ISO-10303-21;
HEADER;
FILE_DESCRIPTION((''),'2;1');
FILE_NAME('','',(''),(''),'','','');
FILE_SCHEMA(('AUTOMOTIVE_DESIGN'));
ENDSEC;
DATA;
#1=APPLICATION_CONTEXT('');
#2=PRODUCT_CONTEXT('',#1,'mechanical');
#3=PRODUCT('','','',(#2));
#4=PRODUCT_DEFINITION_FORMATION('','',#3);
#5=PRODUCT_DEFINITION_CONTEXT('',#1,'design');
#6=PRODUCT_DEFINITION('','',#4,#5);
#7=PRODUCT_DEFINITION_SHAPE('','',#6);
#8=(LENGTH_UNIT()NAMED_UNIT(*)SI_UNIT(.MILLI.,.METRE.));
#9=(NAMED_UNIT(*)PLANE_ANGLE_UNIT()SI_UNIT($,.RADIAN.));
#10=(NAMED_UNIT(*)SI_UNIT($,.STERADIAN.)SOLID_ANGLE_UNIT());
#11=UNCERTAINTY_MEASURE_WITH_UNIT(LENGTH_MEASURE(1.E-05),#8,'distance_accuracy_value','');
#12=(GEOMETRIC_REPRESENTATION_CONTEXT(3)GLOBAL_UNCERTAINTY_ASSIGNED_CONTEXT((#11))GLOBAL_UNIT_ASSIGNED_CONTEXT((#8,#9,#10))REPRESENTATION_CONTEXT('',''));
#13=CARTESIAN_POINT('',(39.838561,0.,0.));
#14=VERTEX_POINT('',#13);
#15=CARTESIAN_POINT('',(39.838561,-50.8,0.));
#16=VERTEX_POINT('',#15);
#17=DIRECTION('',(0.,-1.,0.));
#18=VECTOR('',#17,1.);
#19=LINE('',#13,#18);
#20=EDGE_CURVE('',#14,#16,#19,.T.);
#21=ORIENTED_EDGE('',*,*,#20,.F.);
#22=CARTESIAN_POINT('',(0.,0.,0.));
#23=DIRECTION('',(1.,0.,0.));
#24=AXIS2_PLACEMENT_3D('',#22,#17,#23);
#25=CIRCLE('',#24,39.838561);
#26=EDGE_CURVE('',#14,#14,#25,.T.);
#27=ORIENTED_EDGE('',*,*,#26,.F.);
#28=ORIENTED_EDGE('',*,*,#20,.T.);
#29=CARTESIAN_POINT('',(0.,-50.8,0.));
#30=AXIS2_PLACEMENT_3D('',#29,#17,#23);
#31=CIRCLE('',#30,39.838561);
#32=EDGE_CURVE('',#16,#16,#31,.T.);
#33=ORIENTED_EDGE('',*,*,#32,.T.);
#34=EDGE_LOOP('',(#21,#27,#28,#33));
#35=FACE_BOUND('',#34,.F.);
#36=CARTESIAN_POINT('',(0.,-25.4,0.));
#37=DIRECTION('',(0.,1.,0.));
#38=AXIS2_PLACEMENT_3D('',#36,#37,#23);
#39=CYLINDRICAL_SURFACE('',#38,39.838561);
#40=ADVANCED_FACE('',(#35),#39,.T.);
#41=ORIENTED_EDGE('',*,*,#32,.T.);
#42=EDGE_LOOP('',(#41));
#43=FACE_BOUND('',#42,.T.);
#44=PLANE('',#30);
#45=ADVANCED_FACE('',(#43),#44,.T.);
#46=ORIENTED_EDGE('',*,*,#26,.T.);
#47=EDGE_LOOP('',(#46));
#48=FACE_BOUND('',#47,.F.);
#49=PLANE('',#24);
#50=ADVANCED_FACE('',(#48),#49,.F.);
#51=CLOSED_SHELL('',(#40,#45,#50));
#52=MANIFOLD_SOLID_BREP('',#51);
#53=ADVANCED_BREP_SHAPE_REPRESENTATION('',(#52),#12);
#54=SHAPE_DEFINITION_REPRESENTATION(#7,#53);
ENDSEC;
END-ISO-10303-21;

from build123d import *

# Parameters (mm, degrees)
F0_R      = 39.838561
F1_DEPTH  = 25.4
F1_FACE_R = 39.838561
F3_DEPTH  = 25.4


with BuildPart() as f1:
    # F0 (on Front) → F1 (new body)
    with BuildSketch(Plane.XZ):
        Circle(F0_R)
    extrude(amount=F1_DEPTH)

    # F1_face (on face) → F3 (join)
    with BuildSketch(Plane.XZ.offset(25.4)):
        Circle(F1_FACE_R)
    extrude(amount=F3_DEPTH)


solid = f1.part
